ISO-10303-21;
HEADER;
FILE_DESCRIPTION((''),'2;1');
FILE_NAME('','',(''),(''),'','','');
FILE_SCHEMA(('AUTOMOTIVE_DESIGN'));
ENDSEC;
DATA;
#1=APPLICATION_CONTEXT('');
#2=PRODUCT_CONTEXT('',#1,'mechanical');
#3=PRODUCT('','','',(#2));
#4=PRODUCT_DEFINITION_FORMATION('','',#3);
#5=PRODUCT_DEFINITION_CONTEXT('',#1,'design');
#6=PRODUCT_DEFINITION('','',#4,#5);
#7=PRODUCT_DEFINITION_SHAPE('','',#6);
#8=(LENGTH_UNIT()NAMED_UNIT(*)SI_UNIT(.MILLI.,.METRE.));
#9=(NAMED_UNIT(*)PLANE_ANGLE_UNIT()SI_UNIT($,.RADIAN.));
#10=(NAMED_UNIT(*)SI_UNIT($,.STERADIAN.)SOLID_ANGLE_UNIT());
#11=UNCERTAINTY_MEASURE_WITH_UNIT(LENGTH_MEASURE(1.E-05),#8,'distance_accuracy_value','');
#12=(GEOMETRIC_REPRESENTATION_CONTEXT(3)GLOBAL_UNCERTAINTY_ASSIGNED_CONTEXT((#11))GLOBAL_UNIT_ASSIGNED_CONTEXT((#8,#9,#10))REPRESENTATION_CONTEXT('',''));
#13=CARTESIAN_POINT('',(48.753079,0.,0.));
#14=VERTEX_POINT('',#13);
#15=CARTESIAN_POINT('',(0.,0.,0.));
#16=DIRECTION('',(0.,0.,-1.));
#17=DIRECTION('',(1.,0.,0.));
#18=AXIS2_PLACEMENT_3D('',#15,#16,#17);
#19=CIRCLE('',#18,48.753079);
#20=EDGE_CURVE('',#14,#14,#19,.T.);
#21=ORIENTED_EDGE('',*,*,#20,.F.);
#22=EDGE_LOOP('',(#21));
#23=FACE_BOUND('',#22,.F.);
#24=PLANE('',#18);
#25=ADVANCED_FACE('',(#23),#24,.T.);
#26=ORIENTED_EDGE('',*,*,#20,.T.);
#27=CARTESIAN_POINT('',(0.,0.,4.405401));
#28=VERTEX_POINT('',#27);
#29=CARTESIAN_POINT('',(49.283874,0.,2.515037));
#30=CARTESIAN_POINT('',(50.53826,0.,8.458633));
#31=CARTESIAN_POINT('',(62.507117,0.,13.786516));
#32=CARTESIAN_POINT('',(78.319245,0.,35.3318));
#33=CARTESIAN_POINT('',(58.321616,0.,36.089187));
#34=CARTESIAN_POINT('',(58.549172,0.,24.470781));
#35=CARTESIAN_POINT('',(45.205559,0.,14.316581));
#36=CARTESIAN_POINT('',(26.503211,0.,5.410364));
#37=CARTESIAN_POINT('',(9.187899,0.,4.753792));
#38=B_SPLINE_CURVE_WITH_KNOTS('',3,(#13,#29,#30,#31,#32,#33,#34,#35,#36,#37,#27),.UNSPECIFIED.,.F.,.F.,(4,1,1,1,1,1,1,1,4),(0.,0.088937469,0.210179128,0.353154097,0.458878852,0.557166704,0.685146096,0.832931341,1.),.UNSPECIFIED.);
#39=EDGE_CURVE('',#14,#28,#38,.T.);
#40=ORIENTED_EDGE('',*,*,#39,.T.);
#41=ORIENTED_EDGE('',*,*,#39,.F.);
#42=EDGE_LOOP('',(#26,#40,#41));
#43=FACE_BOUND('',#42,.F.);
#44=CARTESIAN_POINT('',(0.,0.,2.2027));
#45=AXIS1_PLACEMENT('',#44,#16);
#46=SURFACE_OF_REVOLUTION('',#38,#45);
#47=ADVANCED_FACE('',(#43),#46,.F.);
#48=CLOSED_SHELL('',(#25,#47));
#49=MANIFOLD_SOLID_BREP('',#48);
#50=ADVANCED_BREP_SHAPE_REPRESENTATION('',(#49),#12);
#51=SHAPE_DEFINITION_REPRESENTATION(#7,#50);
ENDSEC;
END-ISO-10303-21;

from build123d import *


with BuildPart() as f1:
    # F0 (on Front) → F1 (revolve)
    with BuildSketch(Plane.XZ):
        with BuildLine():
            add(Edge.make_bspline(
                [(48.7530790269, 0), (49.2838737698, 2.5150374389), (50.5382604441, 8.4586333221), (62.5071171432, 13.7865162122), (78.3192449553, 35.3318003193), (58.3216155623, 36.0891866108), (58.5491721248, 24.4707811318), (45.2055591326, 14.3165806195), (26.5032112515, 5.4103635441), (9.187899253, 4.7537923553), (0, 4.4054007158)],
                knots=[0, 0, 0, 0, 0.0889374693, 0.2101791283, 0.3531540965, 0.4588788521, 0.5571667041, 0.6851460958, 0.8329313413, 1, 1, 1, 1], degree=3))
            Line((0, 4.4054007158), (0, 0))
            Line((0, 0), (48.7530790269, 0))
        make_face()
    revolve(axis=Axis((0, 0, 2.2027003579), (0, 0, -1)))


solid = f1.part
